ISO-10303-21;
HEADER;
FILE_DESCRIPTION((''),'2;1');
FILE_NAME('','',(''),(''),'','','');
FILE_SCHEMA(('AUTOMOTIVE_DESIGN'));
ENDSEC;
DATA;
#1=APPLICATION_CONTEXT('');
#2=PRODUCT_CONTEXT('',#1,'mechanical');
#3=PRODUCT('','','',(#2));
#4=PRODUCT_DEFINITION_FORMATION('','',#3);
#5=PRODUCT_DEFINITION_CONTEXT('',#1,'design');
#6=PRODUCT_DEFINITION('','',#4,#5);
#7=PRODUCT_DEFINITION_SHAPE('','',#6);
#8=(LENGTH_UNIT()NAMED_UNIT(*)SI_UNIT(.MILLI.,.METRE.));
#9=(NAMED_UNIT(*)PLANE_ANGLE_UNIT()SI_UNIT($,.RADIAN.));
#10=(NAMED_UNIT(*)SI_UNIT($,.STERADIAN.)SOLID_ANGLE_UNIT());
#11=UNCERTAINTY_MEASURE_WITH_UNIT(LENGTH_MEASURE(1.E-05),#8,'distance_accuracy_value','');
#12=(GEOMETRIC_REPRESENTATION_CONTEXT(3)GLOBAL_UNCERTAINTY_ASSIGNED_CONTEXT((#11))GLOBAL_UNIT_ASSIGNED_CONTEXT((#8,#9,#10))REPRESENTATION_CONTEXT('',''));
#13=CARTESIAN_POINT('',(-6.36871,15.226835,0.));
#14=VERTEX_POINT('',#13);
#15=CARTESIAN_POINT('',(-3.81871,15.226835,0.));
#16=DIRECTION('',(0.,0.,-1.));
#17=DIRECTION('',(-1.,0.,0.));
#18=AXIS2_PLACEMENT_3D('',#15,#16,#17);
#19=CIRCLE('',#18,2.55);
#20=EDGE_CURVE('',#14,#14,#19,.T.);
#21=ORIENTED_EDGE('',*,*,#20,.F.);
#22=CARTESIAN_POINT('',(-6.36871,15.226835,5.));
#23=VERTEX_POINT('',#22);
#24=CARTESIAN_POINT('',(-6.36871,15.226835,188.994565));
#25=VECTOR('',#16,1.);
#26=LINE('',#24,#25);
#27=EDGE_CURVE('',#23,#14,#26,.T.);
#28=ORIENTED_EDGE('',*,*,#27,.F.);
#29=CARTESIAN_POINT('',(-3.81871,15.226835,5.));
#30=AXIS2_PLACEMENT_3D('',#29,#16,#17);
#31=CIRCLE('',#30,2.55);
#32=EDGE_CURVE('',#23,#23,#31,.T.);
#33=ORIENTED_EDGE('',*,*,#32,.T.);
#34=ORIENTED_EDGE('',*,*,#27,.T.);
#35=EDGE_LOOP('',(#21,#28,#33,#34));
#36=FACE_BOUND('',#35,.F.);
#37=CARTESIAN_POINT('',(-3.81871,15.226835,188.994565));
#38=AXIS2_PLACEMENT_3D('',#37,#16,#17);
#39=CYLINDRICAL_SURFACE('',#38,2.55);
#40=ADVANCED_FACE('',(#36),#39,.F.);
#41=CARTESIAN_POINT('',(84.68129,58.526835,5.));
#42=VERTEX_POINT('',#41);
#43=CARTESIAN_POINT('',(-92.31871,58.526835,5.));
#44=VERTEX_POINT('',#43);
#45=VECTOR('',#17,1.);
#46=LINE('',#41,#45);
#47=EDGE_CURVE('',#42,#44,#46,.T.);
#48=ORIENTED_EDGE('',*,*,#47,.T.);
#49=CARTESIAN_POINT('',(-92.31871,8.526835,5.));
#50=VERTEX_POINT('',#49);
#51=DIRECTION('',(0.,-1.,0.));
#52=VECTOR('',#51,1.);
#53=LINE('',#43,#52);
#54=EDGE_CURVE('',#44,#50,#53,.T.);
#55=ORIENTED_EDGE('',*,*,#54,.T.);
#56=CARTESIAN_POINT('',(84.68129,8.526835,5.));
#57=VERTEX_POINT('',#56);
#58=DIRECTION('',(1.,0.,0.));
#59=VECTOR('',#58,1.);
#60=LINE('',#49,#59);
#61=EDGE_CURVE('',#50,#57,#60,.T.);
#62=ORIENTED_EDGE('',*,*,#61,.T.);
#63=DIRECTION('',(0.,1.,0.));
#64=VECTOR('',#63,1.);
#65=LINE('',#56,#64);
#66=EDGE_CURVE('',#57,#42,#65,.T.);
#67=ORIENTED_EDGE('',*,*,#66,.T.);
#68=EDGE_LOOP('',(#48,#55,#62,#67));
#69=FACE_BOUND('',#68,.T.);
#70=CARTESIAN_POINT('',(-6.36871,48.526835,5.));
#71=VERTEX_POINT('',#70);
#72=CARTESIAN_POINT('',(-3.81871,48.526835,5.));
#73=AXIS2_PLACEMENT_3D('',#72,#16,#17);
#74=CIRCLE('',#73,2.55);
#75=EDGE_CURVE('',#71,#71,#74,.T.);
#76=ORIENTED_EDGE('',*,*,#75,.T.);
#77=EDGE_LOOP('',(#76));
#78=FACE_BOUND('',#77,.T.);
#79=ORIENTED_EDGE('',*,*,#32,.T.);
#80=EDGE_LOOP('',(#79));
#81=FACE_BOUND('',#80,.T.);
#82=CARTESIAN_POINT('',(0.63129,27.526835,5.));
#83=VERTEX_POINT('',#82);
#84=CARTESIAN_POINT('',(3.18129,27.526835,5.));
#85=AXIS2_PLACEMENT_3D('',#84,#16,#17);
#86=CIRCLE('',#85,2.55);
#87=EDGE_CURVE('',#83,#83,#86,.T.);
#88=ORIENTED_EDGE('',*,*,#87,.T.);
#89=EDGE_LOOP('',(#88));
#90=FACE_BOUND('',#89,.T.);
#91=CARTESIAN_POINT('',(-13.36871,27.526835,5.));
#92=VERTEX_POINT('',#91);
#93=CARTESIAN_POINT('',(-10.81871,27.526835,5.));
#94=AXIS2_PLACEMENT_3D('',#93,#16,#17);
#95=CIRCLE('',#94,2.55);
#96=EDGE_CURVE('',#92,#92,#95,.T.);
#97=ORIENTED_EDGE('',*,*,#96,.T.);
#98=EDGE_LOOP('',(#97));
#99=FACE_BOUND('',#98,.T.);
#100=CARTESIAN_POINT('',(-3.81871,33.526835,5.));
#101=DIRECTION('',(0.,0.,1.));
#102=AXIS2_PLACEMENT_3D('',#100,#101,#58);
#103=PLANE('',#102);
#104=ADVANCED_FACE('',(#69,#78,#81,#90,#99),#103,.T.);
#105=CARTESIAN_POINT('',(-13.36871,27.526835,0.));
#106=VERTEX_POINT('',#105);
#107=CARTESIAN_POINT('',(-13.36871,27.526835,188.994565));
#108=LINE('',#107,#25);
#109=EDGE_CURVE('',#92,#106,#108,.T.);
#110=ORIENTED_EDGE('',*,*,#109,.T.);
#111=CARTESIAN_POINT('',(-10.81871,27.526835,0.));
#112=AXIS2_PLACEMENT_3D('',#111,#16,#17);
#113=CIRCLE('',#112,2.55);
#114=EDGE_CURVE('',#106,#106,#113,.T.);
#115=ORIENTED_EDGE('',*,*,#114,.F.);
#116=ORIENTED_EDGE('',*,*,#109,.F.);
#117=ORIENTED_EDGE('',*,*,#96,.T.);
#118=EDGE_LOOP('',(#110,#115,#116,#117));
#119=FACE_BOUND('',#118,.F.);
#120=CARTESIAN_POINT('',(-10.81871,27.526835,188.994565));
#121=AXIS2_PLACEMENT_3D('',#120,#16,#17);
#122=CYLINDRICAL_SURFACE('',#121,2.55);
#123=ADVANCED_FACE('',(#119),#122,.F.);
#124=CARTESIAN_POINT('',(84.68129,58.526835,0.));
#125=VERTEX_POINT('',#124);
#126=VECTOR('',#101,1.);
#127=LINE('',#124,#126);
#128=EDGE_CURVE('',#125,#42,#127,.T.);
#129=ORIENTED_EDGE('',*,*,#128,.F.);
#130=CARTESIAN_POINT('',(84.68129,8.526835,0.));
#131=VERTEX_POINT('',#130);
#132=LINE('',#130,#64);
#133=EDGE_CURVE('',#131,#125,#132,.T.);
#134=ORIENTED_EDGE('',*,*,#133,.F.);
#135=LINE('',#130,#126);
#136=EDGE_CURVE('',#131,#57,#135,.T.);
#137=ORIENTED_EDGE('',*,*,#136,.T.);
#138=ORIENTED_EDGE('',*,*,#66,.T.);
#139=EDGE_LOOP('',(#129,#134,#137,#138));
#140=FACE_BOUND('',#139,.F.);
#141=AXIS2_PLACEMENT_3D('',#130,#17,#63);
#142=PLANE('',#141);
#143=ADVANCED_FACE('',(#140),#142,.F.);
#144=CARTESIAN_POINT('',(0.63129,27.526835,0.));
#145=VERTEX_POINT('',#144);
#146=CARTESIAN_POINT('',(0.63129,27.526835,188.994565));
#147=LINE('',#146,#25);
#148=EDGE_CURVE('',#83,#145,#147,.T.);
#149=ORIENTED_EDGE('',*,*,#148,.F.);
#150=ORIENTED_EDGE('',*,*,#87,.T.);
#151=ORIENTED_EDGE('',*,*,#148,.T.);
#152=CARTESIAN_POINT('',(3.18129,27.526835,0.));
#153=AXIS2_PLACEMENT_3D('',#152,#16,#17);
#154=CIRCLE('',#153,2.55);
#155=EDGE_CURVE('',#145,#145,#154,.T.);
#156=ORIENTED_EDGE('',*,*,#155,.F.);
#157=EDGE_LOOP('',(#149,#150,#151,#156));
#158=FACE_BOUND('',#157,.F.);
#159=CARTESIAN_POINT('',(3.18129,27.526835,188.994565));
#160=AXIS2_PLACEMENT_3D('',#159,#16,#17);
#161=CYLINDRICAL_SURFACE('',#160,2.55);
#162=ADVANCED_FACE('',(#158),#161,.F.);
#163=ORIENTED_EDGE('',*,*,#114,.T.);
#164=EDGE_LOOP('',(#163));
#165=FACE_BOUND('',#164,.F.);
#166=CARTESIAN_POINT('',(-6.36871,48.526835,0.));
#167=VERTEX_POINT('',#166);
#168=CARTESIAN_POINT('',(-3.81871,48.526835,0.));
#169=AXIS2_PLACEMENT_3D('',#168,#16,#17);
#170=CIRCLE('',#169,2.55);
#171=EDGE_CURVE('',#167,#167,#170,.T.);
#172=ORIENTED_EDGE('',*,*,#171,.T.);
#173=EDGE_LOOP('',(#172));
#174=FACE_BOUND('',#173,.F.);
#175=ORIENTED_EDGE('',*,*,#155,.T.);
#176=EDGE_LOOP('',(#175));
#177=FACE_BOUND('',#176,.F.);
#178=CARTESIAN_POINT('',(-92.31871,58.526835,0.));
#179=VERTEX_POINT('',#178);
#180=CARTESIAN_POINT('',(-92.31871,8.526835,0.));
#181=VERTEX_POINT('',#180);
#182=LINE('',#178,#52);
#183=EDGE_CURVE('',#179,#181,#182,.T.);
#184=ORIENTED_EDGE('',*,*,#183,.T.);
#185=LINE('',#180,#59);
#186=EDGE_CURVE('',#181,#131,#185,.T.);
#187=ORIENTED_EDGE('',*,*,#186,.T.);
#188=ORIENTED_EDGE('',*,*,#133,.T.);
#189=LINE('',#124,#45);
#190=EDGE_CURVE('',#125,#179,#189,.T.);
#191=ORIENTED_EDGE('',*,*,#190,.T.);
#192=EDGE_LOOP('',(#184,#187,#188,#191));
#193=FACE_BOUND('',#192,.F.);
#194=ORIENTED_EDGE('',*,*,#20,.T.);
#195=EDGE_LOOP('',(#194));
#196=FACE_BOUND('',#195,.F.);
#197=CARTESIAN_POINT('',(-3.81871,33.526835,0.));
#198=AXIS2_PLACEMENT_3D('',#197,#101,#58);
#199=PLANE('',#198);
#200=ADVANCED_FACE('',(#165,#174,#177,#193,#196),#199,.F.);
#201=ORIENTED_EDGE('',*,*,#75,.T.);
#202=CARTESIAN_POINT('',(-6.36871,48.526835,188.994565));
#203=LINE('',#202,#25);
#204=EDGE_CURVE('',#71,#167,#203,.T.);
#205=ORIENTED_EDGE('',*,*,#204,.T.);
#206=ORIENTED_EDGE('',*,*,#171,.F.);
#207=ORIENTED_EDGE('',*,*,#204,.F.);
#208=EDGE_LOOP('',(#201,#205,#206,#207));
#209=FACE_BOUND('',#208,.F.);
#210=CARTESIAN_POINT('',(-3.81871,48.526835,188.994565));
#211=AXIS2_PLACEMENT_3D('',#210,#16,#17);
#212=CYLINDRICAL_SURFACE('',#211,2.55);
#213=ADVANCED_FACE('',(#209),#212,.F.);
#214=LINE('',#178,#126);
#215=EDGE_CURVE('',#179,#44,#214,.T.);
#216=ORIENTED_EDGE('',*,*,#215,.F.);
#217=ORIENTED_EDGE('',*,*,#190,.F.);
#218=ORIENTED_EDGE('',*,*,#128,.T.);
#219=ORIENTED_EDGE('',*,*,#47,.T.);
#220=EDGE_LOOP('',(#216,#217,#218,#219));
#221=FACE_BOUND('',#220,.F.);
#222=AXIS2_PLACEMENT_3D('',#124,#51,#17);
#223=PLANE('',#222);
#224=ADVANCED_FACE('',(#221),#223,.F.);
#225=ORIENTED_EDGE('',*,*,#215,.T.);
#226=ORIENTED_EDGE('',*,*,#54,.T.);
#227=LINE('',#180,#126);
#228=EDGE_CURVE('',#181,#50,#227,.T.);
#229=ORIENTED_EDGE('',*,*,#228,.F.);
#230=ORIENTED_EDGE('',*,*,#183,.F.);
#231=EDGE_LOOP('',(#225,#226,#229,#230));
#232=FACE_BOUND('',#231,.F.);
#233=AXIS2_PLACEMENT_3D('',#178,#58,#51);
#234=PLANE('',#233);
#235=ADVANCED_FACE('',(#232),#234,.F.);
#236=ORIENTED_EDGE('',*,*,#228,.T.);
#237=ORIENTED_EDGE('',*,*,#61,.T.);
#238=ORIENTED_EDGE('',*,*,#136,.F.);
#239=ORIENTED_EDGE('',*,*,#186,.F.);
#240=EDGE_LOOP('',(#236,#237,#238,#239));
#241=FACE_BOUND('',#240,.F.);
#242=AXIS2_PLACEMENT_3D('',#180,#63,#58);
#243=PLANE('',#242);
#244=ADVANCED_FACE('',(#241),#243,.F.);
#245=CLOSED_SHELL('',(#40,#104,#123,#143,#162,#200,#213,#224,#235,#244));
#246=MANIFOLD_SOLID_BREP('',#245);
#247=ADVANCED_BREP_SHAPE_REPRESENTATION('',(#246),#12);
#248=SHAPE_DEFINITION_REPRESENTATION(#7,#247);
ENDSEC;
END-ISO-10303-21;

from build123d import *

# Parameters (mm, degrees)
F1_DEPTH = 5
F3_D     = 5.1
F4_R     = 2.1
F5_DEPTH = 25


with BuildPart() as f1:
    # F0 (on Top) → F1 (new body)
    with BuildSketch(Plane.XY):
        Polygon((84.6812899327, 58.5268347502), (-92.3187100673, 58.5268347502), (-92.3187100673, 8.5268347502), (-44.3187100673, 8.5268347502), (36.6812899327, 8.5268347502), (84.6812899327, 8.5268347502), align=None)
    extrude(amount=F1_DEPTH)

    # F3 (through all)
    with Locations(Plane.XY.offset(5)):
        with Locations((-10.8187100673, 27.5268347502), (-3.8187100673, 48.5268347502), (3.1812899327, 27.5268347502), (-3.8187100673, 15.2268347502)):
            Hole(F3_D / 2)

    # F4 (on face) → F5 (cut)
    with BuildSketch(Plane.XY.offset(5)):
        with Locations((-63.3187100673, -6.4731652498)):
            Circle(F4_R)
        with Locations((55.6812899327, -14.4731652498)):
            Circle(F4_R)
        with Locations((-83.3187100673, -14.4731652498)):
            Circle(F4_R)
        with Locations((-73.3187100673, -43.9731652498)):
            Circle(F4_R)
        with Locations((75.6812899327, -6.4731652498)):
            Circle(F4_R)
        with Locations((65.6812899327, -43.9731652498)):
            Circle(F4_R)
    extrude(amount=-F5_DEPTH, mode=Mode.SUBTRACT)


solid = f1.part
